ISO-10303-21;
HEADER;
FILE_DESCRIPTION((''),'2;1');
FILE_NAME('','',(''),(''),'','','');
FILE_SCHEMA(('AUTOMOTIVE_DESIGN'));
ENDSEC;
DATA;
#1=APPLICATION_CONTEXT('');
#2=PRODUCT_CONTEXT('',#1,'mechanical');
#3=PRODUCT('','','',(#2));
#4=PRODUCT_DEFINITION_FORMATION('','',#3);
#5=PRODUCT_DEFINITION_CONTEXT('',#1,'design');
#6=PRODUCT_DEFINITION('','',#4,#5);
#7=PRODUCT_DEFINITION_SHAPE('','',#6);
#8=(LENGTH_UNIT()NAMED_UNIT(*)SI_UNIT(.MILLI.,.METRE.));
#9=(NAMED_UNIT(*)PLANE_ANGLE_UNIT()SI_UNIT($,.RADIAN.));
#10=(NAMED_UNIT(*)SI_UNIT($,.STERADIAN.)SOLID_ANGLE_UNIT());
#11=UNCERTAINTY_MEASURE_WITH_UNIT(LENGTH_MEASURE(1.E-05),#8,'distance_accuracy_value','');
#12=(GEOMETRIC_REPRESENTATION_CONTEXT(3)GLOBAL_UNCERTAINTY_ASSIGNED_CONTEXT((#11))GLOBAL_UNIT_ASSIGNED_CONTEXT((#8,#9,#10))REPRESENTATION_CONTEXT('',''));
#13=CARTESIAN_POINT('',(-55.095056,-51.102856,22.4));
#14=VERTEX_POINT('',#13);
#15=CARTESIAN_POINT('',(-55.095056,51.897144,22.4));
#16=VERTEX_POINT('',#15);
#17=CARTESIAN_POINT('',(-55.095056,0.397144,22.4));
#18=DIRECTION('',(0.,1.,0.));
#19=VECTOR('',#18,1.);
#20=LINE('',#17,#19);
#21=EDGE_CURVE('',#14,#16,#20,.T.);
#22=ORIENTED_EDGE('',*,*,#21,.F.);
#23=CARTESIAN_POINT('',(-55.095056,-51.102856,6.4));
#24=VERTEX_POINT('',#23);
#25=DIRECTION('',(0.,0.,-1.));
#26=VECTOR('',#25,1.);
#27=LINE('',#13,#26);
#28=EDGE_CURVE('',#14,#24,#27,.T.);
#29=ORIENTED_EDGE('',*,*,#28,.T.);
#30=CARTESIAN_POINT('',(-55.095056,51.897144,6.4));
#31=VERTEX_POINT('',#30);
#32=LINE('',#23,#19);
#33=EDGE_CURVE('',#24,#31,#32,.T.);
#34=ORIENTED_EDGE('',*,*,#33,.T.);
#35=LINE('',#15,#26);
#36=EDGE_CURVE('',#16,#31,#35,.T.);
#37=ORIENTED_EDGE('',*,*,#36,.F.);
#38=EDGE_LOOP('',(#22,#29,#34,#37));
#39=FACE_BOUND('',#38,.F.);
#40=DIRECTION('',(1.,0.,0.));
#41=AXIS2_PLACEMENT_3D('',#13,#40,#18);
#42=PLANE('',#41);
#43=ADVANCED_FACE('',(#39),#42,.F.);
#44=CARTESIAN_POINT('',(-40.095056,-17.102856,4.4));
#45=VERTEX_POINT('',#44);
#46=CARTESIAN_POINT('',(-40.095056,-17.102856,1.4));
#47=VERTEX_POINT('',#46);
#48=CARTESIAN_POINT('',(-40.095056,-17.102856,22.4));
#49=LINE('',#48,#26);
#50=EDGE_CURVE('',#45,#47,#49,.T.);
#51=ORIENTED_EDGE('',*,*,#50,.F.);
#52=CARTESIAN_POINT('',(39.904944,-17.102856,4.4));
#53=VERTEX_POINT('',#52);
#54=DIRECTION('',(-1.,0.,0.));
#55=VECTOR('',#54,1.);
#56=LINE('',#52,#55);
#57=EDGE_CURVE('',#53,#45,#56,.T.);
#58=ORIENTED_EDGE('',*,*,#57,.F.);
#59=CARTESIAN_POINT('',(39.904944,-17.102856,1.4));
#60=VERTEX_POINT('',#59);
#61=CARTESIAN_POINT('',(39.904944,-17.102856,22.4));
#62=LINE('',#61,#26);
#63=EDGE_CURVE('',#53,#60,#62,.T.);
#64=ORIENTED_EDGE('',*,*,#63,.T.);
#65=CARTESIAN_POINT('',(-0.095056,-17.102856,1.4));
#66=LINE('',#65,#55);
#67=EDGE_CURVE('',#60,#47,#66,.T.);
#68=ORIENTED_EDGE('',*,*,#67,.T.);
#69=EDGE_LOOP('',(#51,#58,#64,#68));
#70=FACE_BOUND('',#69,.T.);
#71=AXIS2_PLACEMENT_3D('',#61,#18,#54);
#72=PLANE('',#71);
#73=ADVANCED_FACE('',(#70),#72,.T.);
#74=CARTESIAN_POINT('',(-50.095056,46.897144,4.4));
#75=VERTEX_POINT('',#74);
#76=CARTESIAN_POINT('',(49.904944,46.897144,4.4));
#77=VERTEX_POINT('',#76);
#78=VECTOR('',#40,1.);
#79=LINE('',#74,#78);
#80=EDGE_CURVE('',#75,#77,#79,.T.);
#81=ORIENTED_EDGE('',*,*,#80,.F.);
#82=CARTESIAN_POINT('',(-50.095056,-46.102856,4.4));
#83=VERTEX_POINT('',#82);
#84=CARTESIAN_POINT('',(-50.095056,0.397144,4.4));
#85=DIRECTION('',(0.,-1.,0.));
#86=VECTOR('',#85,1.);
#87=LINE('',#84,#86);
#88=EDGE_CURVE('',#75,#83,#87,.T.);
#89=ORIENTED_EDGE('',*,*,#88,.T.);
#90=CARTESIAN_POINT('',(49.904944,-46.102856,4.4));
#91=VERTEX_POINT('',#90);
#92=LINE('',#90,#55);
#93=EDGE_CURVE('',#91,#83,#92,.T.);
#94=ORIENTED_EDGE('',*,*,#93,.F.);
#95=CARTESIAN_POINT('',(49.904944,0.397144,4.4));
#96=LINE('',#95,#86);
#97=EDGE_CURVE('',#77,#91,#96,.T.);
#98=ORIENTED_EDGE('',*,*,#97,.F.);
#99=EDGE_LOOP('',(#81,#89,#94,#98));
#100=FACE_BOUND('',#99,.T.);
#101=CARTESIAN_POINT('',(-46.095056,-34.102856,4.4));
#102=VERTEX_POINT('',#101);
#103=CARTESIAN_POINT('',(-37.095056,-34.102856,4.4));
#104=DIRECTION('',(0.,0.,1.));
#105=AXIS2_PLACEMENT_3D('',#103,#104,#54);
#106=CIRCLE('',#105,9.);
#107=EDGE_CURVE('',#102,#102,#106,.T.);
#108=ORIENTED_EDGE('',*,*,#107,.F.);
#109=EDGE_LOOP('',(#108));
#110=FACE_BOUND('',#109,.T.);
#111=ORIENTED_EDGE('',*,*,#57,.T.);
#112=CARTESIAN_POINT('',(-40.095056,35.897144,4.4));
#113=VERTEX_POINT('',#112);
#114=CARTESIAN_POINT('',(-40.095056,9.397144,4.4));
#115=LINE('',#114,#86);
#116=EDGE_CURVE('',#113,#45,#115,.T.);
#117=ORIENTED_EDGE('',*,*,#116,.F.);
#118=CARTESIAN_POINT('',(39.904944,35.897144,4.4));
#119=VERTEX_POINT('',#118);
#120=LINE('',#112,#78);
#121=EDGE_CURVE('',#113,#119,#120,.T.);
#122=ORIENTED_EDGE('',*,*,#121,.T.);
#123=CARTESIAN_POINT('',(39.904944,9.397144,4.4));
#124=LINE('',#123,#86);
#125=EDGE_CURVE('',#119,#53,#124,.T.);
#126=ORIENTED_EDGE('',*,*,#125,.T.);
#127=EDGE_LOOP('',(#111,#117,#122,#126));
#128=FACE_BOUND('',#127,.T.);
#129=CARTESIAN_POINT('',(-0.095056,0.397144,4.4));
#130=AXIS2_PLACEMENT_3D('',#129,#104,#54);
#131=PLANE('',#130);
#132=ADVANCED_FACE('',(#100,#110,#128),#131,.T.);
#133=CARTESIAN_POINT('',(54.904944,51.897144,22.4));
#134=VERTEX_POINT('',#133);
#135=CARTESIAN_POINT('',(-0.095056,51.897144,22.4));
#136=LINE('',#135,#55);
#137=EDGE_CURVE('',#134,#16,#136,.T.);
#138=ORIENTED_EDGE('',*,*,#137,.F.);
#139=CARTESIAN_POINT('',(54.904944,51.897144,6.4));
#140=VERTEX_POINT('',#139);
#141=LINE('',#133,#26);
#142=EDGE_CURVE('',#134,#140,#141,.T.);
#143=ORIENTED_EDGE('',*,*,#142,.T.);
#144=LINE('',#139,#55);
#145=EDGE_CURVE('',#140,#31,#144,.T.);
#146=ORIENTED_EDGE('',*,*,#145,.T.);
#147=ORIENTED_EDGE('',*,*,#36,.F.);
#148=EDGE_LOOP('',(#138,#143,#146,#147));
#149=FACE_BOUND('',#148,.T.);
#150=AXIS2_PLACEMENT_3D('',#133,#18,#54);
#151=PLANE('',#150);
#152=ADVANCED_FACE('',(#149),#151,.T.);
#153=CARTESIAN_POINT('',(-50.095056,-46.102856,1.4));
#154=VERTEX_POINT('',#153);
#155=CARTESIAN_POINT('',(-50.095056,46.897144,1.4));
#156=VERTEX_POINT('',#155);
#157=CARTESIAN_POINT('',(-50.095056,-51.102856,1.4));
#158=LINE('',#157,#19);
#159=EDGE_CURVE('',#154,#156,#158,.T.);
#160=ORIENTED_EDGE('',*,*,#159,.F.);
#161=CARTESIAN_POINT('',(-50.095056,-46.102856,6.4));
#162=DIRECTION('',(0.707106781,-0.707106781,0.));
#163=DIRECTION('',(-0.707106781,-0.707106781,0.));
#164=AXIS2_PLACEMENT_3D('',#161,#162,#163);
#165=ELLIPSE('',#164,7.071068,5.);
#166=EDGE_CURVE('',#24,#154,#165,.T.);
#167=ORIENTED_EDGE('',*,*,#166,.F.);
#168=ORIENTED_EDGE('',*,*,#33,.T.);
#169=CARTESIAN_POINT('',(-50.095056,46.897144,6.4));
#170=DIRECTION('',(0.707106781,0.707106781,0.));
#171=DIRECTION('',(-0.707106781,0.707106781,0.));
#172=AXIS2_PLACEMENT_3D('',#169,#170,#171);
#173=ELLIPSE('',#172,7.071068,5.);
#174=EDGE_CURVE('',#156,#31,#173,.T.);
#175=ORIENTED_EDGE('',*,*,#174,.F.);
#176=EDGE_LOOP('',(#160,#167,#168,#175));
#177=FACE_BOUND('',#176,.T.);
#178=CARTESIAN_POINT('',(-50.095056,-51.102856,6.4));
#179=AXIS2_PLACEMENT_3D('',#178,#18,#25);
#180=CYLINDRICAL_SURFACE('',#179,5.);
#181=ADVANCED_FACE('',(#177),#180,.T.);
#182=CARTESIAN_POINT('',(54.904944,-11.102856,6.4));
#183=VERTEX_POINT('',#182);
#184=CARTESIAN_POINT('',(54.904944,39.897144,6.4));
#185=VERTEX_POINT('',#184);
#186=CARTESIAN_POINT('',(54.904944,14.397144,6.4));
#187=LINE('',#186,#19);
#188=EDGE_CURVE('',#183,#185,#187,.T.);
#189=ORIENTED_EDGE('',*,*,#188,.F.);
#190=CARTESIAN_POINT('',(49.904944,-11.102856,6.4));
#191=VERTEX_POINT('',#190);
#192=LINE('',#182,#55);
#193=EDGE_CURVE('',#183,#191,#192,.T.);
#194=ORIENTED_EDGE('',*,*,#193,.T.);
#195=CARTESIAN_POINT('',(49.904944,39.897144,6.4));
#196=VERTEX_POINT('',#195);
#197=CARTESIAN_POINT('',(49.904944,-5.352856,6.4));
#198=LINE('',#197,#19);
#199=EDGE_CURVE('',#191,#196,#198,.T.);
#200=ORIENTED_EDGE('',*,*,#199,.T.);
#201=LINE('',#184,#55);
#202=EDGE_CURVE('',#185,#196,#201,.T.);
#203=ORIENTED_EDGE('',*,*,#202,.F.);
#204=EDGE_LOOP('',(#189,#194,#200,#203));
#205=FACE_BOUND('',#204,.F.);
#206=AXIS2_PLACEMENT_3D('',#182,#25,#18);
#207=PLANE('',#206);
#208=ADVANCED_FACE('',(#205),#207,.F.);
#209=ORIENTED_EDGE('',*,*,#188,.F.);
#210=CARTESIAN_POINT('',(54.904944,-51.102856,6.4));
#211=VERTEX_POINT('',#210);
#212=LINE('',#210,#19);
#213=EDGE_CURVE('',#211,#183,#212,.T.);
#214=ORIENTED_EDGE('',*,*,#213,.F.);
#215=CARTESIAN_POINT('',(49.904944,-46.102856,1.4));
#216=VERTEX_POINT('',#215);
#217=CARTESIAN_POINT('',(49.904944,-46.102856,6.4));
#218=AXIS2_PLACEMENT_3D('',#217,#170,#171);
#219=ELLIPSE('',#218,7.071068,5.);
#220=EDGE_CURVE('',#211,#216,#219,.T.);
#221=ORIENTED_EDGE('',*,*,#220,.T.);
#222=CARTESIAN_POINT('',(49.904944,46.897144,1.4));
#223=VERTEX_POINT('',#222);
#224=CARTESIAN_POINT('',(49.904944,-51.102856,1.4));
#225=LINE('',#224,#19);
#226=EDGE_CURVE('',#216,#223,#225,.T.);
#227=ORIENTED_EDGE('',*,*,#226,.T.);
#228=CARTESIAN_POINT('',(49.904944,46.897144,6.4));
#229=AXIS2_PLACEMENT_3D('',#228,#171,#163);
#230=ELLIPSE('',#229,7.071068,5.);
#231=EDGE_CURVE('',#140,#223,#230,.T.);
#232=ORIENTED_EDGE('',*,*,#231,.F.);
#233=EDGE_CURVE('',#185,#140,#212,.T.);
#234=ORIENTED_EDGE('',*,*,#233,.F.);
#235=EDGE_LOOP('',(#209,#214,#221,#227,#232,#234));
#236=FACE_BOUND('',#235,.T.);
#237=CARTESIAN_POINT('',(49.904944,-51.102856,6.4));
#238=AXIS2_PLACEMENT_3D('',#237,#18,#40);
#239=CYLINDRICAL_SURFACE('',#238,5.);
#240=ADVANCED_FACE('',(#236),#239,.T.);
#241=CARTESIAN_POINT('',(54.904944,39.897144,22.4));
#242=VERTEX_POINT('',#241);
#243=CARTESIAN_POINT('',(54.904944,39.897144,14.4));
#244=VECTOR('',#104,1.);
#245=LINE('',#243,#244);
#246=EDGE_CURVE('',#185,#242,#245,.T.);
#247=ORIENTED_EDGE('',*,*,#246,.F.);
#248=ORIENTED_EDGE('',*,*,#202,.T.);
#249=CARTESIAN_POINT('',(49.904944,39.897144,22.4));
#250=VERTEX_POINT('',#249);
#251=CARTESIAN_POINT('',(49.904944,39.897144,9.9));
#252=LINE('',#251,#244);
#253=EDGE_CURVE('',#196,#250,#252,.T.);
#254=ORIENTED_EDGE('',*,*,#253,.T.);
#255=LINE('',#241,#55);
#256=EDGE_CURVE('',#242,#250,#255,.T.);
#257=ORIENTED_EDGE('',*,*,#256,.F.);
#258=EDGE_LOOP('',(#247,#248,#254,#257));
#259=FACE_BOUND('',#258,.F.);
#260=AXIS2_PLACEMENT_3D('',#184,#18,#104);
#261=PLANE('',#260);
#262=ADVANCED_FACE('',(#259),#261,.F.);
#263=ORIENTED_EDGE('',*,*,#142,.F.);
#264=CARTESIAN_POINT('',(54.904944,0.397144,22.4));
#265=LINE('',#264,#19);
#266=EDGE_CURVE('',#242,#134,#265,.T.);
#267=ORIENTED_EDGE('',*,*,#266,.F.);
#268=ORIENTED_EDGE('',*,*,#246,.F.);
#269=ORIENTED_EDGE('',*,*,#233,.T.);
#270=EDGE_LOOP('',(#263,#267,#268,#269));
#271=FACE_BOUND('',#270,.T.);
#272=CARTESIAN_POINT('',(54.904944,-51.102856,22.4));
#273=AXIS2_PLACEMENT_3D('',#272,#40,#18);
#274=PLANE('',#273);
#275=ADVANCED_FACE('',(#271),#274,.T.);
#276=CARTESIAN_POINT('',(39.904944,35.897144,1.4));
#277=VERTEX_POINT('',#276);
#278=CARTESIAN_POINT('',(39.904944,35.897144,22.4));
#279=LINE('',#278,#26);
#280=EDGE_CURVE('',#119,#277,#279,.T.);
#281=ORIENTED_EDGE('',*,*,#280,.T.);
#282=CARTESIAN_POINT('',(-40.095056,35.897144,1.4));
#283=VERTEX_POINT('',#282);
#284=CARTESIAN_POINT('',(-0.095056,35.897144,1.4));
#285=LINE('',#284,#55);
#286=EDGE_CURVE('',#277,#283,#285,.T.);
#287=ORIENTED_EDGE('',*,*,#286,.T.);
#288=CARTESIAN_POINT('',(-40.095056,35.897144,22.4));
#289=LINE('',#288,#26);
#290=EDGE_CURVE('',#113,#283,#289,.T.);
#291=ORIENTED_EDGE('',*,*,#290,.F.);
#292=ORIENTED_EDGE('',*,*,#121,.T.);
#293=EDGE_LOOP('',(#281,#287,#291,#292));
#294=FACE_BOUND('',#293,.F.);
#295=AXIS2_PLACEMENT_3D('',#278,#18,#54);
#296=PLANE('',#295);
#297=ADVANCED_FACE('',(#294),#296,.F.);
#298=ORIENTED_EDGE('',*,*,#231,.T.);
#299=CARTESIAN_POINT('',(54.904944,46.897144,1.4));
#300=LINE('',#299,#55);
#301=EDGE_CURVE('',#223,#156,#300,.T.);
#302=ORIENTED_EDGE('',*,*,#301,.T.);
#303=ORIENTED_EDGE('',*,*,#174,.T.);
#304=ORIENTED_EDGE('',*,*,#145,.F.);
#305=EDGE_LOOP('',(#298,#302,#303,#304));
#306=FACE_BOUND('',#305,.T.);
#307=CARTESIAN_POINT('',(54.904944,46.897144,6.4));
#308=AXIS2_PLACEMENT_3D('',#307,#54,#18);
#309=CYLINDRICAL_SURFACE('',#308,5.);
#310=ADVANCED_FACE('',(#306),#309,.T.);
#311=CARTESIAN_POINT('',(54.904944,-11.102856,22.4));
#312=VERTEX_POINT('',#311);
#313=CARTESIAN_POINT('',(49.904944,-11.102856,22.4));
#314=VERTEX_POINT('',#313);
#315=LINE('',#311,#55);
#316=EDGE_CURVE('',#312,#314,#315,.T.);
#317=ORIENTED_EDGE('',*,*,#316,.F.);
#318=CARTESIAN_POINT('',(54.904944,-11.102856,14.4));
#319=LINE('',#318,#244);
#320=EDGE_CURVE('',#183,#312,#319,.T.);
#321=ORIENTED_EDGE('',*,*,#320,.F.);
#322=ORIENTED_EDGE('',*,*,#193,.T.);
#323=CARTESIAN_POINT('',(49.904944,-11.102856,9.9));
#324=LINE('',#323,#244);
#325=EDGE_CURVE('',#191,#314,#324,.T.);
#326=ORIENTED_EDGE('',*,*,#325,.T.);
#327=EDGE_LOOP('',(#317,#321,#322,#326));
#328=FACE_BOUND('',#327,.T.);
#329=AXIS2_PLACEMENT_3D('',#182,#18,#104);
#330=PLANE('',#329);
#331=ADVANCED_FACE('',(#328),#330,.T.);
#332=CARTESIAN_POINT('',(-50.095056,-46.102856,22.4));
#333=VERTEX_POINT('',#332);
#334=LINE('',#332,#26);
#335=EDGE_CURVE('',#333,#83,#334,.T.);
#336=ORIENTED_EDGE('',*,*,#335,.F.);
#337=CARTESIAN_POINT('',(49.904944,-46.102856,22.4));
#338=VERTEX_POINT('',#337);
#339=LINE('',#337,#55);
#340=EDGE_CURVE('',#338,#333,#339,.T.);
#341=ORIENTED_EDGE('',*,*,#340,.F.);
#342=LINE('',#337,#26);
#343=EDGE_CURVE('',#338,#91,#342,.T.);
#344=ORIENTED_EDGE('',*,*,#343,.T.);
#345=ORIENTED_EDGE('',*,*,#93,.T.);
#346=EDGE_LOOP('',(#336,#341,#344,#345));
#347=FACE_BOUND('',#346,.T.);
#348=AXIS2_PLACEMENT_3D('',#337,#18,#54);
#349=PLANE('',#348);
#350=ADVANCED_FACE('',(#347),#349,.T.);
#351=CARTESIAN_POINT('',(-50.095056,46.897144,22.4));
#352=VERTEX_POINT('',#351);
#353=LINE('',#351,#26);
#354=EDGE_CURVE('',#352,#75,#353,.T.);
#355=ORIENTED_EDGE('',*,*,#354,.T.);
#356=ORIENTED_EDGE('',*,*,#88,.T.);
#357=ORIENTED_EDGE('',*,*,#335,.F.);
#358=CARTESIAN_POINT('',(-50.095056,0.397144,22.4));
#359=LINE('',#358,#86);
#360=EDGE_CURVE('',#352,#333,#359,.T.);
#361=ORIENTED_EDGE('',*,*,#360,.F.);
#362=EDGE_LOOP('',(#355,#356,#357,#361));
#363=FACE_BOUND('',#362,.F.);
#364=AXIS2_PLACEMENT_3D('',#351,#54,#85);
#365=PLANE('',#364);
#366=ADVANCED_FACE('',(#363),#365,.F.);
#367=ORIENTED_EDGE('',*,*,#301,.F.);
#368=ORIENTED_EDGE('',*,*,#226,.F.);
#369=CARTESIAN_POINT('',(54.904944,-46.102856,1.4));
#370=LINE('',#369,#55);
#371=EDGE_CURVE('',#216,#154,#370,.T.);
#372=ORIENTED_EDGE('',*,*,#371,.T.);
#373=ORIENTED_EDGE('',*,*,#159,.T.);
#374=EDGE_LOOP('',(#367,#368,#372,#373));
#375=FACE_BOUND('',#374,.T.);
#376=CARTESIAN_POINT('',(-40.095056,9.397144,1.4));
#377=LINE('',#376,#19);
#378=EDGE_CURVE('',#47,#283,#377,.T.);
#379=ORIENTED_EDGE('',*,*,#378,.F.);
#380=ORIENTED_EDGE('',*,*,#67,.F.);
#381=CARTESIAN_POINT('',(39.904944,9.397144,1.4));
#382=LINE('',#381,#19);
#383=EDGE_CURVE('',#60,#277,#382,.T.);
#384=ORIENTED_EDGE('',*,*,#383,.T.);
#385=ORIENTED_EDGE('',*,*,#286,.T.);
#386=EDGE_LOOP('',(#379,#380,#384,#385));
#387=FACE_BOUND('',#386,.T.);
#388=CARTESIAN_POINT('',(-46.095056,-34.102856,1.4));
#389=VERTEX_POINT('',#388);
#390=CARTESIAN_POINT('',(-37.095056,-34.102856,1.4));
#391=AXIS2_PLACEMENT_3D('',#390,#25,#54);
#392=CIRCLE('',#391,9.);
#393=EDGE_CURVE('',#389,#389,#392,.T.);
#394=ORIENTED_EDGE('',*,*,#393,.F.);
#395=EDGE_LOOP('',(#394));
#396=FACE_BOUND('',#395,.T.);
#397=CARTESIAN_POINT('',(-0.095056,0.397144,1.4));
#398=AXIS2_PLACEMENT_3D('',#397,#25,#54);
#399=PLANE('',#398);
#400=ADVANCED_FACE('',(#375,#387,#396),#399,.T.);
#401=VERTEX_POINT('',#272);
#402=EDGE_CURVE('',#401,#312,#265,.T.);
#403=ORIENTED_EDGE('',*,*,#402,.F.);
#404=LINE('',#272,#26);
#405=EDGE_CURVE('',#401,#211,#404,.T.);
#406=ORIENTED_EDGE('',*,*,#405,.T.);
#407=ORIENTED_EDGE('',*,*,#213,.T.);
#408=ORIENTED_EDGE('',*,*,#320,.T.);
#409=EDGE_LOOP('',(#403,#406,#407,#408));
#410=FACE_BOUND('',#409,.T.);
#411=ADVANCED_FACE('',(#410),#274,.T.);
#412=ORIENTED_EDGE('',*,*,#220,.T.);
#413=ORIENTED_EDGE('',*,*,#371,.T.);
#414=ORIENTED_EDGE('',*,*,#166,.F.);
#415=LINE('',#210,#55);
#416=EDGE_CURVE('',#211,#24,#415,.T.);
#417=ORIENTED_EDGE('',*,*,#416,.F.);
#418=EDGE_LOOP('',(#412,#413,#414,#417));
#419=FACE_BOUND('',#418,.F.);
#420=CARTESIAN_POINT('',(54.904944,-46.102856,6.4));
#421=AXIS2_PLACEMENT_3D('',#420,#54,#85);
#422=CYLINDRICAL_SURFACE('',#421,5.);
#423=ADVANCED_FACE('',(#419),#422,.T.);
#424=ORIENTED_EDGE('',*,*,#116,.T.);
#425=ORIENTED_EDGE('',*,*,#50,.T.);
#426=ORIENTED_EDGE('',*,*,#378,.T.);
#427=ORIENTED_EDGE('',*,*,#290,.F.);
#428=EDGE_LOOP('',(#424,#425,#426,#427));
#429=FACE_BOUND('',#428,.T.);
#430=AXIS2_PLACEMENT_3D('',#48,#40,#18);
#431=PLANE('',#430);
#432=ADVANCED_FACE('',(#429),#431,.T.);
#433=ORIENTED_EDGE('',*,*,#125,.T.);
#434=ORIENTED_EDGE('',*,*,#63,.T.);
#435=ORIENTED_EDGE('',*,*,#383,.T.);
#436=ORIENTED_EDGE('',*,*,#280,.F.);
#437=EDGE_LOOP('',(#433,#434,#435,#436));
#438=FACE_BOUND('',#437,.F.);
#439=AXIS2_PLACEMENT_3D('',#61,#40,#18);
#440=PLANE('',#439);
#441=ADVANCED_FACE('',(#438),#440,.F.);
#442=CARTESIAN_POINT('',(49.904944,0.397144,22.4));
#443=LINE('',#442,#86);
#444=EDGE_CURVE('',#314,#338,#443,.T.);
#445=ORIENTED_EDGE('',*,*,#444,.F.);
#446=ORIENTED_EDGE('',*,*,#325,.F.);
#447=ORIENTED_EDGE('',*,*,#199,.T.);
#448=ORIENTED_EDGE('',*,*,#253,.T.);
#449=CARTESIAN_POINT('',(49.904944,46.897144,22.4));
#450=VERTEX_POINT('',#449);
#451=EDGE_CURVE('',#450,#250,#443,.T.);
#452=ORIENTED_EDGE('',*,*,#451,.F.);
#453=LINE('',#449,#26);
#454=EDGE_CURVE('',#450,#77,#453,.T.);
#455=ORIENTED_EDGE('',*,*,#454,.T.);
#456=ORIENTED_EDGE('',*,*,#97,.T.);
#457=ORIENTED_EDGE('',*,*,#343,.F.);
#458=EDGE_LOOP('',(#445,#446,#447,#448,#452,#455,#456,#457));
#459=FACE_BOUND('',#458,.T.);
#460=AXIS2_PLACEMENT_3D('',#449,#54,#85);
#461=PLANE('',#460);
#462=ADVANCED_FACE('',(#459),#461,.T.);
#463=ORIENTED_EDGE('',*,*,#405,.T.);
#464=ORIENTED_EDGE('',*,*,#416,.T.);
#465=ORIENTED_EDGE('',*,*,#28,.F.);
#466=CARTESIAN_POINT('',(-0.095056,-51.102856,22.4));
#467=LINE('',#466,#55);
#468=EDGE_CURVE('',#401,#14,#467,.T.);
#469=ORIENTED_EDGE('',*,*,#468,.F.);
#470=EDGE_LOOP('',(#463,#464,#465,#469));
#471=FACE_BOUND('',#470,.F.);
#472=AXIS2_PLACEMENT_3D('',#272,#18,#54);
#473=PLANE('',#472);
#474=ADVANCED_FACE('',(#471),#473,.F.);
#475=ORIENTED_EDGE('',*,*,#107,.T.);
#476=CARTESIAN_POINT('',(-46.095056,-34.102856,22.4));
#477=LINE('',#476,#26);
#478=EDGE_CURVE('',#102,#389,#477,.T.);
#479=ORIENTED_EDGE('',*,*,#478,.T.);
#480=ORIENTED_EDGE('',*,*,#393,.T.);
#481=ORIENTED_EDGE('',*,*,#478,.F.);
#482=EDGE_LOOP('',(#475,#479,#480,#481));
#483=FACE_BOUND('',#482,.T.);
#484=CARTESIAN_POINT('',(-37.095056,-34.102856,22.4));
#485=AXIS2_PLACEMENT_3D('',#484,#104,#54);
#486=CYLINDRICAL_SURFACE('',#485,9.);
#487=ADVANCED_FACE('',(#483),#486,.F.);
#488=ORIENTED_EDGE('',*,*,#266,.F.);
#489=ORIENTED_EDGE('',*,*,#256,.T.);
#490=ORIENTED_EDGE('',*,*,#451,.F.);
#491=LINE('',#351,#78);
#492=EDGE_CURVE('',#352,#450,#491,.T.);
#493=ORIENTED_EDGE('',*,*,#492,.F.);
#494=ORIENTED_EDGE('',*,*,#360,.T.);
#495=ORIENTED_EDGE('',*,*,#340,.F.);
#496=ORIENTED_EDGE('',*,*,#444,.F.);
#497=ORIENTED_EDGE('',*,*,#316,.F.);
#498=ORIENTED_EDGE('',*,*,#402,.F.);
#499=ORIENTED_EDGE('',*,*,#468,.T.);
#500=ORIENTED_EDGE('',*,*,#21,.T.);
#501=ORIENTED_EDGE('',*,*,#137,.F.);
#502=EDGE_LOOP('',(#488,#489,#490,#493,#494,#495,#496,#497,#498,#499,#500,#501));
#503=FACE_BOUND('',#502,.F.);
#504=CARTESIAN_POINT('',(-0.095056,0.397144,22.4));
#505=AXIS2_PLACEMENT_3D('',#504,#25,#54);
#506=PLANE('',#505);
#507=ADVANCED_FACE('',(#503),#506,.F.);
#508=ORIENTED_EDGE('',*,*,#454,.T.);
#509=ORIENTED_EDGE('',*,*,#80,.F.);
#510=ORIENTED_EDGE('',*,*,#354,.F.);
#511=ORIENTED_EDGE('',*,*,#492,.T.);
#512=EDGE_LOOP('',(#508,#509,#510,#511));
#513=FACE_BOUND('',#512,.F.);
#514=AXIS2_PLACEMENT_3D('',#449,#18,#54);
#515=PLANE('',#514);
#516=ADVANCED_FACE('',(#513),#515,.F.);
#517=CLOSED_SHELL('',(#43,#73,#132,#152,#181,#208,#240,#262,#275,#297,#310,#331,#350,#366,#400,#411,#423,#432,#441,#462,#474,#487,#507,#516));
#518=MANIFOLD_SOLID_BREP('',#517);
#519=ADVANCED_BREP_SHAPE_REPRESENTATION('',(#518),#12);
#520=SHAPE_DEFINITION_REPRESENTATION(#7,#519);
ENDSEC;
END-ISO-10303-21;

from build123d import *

# Parameters (mm, degrees)
F0_W      = 110
F0_H      = 103
F0_R      = 9
F0_W_2    = 80
F0_H_2    = 53
F1_DEPTH  = 21
F2_W      = 100
F2_H      = 93
F2_W_2    = 80
F2_H_2    = 53
F2_R      = 9
F3_DEPTH  = 18
F4_R      = 5
F5_ANGLE  = 180
F7_W      = 51
F7_H      = 16
F3_FACE_W = 93
F3_FACE_H = 18
F8_DEPTH  = 25


with BuildPart() as f1:
    # F0 (on Top) → F1 (new body)
    with BuildSketch(Plane.XY):
        with Locations((-8.2950558215, 3.6971443333)):
            Rectangle(F0_W, F0_H)
        with Locations((28.7049441785, -30.8028556667)):
            Circle(F0_R, mode=Mode.SUBTRACT)
        with Locations((-8.2950558215, 12.6971443333)):
            Rectangle(F0_W_2, F0_H_2, mode=Mode.SUBTRACT)
    extrude(amount=F1_DEPTH)

    # F2 (on face) → F3 (cut)
    with BuildSketch(Plane(origin=(0, 0, 0), x_dir=(1, 0, 0), z_dir=(0, 0, -1))):
        with Locations((-8.2950558215, -3.6971443333)):
            Rectangle(F2_W, F2_H)
        with Locations((-8.2950558215, -12.6971443333)):
            Rectangle(F2_W_2, F2_H_2, mode=Mode.SUBTRACT)
        with Locations((28.7049441785, 30.8028556667)):
            Circle(F2_R, mode=Mode.SUBTRACT)
    extrude(amount=-F3_DEPTH, mode=Mode.SUBTRACT)

    # F4
    f4_edges = [f1.edges().sort_by_distance(p)[0] for p in [
        (-8.295056, -47.802856, 21),
        (46.704944, 3.697144, 21),
        (-8.295056, 55.197144, 21),
        (-63.295056, 3.697144, 21),
    ]]
    fillet(f4_edges, radius=F4_R)


with BuildPart() as f1_1:
    # F5: moved
    add(f1.part.rotate(Axis((46.7049441785, 3.6971443333, 0), (0, 1, 0)), F5_ANGLE))


with BuildPart() as f1_2:
    # F6: moved
    add(f1_1.part.moved(Location((-101.8, -3.3, 22.4))))

    # F7 (on face) + F3_face (on face) → F8 (cut)
    with BuildSketch(Plane.YZ.offset(54.9049441785)):
        with Locations((14.3971443333, 14.4)):
            Rectangle(F7_W, F7_H)
    with BuildSketch(Plane(origin=(49.9049441785, 0.3971443333, 13.4), x_dir=(0, -1, 0), z_dir=(-1, 0, 0))):
        Rectangle(F3_FACE_W, F3_FACE_H)
    extrude(amount=-F8_DEPTH, dir=(1, 0, 0), mode=Mode.SUBTRACT)


solid = f1_2.part
